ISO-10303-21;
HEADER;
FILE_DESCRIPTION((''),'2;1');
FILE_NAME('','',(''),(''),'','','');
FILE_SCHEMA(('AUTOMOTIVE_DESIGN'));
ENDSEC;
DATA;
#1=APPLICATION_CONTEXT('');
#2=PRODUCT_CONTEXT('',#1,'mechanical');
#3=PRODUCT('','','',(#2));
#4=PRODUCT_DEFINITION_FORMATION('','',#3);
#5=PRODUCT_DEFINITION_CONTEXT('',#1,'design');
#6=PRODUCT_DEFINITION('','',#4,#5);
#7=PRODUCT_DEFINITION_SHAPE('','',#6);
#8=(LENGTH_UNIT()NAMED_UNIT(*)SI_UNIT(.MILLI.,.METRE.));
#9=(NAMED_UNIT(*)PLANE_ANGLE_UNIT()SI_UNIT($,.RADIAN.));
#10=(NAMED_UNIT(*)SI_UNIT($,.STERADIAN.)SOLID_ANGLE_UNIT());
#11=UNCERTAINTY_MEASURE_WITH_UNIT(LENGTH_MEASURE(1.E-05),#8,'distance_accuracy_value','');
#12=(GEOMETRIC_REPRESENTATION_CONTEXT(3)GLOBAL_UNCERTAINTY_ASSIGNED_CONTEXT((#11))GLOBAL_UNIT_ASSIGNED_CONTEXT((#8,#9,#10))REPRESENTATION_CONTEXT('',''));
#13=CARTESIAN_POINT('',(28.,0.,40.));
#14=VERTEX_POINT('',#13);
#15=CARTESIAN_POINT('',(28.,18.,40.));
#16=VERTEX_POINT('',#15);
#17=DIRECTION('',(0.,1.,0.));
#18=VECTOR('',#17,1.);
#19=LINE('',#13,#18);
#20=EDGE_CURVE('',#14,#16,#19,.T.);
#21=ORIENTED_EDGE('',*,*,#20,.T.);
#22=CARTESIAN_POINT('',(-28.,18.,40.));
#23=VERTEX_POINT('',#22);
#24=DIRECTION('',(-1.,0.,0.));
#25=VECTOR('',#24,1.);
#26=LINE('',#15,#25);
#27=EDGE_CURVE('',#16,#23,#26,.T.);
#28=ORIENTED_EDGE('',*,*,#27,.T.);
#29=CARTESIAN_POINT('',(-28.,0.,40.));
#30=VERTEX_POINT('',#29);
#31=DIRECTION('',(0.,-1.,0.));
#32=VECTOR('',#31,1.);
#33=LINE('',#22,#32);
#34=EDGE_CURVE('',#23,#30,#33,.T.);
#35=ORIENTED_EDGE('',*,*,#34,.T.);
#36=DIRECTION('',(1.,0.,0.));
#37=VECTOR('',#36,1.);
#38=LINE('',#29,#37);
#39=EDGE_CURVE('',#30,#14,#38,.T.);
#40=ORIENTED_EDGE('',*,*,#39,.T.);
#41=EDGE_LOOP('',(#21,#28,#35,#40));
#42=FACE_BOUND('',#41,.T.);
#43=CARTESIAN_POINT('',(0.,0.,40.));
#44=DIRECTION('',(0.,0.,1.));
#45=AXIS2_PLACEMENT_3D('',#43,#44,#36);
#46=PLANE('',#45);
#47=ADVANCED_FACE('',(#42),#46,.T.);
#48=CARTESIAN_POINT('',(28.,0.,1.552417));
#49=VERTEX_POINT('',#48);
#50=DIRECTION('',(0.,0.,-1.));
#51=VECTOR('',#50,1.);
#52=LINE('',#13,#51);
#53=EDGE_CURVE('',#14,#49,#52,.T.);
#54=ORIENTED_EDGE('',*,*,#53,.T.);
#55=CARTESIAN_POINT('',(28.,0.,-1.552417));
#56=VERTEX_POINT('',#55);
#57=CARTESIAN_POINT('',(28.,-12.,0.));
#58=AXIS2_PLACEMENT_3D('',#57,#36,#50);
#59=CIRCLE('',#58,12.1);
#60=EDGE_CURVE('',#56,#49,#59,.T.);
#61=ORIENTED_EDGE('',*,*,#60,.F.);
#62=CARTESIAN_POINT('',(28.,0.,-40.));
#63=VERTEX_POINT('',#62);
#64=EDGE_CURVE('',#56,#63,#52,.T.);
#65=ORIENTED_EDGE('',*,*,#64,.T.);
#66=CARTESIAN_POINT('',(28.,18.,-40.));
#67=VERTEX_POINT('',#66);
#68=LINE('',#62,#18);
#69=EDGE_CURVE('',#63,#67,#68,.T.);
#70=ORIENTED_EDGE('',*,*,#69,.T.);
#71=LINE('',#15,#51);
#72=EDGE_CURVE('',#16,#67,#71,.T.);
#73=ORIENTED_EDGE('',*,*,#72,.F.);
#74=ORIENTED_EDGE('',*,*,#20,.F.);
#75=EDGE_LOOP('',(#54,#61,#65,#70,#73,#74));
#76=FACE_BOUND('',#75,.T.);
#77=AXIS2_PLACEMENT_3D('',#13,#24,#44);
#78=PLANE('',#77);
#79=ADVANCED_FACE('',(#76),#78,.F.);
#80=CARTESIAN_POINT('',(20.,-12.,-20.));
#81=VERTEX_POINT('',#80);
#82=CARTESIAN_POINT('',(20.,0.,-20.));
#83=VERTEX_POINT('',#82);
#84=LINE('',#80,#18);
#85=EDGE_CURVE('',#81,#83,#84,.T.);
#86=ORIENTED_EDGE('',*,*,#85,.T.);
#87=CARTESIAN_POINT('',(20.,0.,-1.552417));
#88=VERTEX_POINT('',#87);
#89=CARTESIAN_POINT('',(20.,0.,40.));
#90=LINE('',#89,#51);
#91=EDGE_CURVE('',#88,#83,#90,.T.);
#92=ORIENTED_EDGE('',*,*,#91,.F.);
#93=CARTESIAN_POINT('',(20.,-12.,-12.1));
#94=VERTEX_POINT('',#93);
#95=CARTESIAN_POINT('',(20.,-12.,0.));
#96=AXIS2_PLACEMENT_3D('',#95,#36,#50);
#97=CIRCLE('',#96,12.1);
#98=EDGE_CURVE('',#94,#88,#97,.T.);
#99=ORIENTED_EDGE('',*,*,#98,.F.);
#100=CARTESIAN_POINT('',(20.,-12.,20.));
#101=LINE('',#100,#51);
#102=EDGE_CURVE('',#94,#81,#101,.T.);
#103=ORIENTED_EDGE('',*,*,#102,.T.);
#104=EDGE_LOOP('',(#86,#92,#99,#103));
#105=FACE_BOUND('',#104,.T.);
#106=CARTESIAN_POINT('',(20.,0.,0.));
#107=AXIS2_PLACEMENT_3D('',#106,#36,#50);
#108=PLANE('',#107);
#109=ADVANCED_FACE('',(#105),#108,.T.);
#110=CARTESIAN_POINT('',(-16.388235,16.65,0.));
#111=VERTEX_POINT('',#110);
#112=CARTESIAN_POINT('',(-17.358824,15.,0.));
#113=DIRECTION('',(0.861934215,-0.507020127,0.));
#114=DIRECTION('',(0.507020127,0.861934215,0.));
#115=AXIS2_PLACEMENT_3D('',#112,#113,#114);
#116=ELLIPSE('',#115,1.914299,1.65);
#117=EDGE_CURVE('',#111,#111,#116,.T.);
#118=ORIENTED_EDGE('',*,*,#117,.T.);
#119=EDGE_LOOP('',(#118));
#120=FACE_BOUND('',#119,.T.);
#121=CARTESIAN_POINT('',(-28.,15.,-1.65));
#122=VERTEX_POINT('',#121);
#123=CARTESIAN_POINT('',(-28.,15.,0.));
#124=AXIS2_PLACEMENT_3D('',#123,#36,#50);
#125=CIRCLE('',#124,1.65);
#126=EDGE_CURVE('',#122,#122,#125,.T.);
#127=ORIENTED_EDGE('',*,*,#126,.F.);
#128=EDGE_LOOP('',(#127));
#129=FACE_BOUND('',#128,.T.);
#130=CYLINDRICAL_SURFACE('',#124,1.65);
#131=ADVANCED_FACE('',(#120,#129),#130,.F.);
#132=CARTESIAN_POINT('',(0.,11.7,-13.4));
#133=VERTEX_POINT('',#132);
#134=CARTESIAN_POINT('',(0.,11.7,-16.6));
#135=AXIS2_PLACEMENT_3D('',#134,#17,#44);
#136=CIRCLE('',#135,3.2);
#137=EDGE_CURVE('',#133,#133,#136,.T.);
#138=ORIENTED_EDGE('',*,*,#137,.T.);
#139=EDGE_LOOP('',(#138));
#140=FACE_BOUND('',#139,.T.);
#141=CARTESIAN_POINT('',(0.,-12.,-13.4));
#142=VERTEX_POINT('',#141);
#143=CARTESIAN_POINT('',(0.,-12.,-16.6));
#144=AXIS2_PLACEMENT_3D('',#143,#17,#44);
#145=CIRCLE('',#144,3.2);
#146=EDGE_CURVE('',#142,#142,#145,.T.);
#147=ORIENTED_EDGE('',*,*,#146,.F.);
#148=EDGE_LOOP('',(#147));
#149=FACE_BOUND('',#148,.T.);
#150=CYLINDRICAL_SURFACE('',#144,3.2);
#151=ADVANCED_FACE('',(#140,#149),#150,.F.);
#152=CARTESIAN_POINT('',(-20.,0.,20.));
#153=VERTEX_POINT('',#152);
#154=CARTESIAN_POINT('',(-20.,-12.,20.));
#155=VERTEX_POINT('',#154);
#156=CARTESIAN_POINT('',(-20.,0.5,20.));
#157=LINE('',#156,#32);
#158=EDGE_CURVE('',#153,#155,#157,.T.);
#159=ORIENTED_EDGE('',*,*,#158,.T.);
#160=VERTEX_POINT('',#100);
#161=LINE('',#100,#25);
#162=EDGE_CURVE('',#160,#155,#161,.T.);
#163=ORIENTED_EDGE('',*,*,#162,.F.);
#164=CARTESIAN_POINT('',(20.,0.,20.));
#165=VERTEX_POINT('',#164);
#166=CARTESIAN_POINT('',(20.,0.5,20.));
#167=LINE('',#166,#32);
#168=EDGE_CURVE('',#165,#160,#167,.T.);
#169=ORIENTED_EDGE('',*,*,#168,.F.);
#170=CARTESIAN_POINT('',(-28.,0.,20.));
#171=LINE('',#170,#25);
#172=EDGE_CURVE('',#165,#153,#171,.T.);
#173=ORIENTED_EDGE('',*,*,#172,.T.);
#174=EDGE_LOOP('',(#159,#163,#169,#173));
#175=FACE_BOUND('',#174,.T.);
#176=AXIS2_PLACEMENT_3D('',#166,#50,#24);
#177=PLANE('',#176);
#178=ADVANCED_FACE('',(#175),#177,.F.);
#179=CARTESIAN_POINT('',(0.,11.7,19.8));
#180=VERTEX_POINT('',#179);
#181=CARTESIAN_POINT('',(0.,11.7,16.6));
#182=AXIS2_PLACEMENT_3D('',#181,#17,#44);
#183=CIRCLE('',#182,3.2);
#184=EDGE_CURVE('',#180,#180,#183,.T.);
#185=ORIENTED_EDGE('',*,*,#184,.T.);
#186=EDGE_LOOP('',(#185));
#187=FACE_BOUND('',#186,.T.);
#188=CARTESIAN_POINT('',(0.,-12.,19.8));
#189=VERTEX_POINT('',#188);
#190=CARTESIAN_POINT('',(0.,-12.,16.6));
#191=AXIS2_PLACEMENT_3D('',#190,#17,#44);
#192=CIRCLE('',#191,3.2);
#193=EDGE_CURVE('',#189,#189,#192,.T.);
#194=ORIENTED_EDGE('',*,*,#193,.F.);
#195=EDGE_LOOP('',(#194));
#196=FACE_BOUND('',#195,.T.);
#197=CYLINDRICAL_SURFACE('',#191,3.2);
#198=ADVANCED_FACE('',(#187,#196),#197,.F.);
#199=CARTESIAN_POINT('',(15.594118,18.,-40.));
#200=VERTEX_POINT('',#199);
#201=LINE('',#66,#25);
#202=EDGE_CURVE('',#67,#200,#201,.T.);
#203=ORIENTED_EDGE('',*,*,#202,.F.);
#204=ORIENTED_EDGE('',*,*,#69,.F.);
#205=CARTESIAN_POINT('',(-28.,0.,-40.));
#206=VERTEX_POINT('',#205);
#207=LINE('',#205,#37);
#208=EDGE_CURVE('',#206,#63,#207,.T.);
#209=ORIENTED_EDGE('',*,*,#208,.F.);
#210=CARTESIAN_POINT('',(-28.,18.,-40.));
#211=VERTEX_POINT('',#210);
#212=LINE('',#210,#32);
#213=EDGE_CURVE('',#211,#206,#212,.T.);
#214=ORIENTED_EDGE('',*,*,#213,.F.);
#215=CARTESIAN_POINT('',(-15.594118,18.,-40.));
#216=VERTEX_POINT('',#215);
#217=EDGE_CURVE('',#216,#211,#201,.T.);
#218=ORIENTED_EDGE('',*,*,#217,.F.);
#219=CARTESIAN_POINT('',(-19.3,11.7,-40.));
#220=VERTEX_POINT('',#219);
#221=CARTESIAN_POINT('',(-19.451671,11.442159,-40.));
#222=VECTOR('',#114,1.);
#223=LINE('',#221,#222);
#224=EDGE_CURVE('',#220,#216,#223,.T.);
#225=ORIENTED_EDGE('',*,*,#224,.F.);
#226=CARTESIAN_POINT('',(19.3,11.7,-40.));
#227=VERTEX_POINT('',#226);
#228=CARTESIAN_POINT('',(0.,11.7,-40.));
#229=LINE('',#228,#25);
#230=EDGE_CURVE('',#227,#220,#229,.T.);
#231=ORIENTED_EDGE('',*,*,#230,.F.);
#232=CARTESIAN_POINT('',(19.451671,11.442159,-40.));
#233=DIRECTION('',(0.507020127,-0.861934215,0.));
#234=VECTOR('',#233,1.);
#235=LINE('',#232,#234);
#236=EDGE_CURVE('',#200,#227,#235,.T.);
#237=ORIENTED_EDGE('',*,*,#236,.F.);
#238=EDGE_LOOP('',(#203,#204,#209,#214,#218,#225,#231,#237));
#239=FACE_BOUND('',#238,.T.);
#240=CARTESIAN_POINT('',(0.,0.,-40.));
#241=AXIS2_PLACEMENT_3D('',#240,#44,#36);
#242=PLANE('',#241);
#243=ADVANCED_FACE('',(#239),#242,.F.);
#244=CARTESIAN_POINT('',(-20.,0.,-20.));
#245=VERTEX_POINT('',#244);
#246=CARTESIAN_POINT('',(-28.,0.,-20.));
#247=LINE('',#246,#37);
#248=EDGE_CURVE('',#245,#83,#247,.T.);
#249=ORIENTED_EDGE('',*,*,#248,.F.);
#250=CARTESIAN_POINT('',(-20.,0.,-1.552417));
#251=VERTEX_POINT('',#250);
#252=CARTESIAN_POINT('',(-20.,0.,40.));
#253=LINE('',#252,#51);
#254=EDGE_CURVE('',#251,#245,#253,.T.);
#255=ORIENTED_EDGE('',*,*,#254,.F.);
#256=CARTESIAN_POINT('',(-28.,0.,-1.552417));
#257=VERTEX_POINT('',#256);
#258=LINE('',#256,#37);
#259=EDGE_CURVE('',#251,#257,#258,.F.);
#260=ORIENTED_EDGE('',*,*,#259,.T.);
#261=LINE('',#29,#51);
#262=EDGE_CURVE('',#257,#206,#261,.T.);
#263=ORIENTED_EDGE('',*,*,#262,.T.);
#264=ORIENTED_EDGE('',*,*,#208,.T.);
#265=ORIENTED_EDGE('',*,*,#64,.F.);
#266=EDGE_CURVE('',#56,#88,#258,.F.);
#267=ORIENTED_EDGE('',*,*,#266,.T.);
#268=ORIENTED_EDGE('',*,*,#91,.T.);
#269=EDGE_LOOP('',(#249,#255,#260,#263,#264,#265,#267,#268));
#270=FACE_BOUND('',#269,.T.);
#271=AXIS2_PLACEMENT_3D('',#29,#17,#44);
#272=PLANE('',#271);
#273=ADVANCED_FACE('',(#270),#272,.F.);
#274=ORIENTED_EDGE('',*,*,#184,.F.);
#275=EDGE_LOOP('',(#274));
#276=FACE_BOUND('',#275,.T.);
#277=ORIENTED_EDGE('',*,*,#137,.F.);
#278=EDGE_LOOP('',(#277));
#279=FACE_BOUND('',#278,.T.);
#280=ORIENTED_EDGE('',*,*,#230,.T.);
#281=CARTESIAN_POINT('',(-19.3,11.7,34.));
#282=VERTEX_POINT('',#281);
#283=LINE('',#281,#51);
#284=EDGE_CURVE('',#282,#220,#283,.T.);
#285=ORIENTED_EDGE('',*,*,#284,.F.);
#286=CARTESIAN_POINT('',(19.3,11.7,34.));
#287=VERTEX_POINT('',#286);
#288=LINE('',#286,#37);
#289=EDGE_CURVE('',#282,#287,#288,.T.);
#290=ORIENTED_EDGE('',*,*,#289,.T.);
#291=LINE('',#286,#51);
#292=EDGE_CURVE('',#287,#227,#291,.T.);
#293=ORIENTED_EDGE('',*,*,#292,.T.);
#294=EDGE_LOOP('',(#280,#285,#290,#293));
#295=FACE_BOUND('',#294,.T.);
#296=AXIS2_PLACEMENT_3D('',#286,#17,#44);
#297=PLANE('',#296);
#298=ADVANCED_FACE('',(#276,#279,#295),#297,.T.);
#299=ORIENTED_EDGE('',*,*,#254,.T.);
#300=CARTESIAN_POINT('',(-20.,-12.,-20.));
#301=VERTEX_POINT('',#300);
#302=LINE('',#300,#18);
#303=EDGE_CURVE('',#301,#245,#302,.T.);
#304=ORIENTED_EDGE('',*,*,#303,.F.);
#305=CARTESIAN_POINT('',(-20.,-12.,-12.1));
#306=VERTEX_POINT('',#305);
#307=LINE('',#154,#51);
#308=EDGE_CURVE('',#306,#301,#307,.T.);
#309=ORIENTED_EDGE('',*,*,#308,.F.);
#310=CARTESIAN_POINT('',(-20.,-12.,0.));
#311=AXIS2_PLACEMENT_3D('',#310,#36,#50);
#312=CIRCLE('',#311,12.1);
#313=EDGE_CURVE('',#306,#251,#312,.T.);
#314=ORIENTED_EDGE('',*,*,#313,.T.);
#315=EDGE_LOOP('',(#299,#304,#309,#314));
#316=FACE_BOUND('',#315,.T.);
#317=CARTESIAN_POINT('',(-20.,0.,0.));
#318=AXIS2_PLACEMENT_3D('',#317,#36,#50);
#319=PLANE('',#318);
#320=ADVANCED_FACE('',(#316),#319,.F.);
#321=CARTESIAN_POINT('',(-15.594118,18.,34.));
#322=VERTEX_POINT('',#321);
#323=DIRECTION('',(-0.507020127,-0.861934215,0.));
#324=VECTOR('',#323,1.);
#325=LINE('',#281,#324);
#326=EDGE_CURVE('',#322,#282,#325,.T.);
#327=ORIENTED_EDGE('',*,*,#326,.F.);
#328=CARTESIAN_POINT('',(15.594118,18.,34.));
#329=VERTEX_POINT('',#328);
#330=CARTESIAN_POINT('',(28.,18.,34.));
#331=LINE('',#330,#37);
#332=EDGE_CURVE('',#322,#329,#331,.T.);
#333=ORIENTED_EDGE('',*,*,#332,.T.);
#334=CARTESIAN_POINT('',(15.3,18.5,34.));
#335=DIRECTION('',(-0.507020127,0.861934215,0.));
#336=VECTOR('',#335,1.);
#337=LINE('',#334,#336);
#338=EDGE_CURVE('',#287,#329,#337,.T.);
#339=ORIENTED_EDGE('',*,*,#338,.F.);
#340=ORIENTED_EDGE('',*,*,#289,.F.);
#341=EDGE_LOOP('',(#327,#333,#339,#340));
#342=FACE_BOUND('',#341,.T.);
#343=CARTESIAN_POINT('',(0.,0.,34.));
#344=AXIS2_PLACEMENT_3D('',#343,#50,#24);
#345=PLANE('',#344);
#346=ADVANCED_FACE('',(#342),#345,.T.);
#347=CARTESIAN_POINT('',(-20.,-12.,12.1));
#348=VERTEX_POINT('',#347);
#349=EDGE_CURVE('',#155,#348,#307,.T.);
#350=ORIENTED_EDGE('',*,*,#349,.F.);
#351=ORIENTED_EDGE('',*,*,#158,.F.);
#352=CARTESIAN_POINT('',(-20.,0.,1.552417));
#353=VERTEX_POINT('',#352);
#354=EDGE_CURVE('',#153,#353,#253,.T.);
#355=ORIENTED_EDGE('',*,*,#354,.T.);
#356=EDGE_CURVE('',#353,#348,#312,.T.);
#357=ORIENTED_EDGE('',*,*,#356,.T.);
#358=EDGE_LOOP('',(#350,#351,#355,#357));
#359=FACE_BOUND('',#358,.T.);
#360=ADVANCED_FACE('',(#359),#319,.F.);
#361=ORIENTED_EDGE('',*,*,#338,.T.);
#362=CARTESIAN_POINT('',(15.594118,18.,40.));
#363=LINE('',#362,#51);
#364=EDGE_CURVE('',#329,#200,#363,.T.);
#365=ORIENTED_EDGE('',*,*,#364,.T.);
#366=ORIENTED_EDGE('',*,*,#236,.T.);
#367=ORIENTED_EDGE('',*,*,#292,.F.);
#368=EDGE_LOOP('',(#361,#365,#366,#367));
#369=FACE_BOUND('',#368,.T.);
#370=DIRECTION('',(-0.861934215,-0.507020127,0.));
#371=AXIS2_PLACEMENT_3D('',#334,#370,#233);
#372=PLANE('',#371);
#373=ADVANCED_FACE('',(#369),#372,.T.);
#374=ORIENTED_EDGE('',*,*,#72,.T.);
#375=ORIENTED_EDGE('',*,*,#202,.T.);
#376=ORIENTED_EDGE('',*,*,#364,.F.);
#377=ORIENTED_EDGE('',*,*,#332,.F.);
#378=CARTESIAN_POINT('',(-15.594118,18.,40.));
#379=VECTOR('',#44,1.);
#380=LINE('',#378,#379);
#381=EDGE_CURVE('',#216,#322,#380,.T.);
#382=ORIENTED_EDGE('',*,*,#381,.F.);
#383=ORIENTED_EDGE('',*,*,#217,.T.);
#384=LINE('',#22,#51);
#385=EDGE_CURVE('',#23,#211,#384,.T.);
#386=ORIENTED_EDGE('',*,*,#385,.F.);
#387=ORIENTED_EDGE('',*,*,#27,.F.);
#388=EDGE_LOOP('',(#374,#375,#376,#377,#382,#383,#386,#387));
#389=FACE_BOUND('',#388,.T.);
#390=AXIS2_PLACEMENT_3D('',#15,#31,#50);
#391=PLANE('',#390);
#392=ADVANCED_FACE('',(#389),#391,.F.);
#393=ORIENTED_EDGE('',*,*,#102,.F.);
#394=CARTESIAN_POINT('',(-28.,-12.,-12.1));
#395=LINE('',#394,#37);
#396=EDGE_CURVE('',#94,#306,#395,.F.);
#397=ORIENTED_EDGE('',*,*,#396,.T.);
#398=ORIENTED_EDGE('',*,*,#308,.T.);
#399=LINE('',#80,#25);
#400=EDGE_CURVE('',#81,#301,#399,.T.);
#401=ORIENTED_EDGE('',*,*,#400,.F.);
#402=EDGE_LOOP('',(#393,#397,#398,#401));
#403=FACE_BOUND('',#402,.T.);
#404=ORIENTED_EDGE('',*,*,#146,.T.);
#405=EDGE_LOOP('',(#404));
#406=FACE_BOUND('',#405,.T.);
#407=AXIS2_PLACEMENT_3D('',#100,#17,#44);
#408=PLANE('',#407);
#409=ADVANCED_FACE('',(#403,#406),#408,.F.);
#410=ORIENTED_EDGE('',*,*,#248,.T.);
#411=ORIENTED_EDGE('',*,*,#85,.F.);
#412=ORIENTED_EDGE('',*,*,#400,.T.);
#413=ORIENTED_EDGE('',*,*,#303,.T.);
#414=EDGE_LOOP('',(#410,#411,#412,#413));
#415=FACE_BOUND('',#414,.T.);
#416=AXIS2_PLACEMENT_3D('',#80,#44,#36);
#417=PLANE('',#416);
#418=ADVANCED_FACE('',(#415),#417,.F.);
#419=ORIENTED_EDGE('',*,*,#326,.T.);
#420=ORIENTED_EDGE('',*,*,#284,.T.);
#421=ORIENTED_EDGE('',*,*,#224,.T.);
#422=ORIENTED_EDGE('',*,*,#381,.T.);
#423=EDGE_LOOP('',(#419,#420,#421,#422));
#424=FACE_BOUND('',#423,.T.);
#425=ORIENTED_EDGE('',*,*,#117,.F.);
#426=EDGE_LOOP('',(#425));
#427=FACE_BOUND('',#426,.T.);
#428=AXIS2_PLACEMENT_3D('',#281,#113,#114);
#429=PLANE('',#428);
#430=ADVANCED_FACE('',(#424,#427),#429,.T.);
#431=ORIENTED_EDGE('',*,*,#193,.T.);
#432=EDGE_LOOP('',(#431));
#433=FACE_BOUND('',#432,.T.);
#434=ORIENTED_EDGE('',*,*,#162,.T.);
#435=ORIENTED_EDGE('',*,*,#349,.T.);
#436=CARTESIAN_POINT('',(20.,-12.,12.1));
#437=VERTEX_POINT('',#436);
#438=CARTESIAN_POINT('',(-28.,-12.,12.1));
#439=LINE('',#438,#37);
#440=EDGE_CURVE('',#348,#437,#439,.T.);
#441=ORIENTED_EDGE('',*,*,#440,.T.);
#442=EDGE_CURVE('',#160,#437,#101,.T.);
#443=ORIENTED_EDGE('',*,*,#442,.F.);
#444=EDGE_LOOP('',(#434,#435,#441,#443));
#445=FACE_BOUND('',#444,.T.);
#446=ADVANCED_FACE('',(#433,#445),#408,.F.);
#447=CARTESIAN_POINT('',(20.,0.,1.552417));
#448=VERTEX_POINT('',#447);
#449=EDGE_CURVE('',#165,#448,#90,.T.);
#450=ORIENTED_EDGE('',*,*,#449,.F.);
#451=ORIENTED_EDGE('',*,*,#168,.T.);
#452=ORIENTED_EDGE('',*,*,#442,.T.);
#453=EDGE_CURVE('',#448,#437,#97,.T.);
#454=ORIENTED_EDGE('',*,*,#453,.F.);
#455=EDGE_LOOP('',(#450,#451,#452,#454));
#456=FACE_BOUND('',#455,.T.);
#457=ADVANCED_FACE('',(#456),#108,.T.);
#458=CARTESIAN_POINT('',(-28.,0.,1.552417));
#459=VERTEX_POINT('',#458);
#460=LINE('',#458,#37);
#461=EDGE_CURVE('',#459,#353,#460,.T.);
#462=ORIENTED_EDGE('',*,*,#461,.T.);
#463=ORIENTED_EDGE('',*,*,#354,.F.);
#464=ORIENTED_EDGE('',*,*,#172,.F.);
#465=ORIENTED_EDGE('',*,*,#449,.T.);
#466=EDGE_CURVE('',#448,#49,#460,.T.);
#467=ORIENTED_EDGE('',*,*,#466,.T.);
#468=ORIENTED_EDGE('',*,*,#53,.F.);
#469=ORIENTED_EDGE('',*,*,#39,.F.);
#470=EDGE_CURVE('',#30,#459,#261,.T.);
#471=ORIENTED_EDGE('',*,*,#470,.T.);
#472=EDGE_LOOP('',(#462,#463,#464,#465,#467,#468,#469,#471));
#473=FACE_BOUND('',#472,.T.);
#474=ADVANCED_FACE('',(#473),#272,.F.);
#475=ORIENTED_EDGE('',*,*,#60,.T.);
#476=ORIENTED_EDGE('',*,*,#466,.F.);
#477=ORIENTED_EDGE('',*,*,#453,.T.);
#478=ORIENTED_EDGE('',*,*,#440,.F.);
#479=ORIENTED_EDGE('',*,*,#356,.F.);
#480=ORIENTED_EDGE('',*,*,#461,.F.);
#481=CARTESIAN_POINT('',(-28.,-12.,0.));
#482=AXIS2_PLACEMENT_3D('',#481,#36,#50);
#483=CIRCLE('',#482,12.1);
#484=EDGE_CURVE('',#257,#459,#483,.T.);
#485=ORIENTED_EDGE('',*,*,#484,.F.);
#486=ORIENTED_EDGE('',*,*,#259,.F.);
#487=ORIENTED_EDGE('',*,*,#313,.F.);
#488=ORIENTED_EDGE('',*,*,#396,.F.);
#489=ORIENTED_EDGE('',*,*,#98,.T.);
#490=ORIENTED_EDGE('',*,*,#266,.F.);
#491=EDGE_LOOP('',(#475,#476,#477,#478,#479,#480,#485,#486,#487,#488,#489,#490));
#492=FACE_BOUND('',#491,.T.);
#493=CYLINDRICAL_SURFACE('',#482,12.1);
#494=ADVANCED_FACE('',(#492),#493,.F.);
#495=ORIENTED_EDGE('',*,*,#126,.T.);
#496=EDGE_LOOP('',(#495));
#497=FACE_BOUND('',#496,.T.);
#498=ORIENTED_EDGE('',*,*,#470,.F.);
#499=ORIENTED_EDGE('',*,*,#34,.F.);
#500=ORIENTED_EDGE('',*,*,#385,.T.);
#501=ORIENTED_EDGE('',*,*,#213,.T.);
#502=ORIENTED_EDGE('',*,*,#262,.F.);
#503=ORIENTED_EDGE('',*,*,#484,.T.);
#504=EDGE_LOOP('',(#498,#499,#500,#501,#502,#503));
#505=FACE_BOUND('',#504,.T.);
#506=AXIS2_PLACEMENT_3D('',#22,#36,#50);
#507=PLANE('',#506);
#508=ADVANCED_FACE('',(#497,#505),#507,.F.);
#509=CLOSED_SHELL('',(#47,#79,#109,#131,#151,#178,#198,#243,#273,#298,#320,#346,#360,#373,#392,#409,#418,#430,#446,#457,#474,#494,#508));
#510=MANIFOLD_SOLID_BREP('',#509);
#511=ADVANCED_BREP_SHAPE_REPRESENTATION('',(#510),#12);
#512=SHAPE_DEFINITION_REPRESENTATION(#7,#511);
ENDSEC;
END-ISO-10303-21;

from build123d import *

# Parameters (mm, degrees)
SKETCH1_W                   = 56
SKETCH1_H                   = 18
CHANNEL_BLOCK_DEPTH         = 40
SKETCH2_W                   = 40
SKETCH2_H                   = 12.5
CLAMP_UPPER_HALF_DEPTH      = 20
DOVETAIL_CHANNEL_DEPTH      = 34
DOVETAIL_CHANNEL_DEPTH_BACK = 41
HANDLEBAR_BORE_DEPTH        = 53.038447325
HANDLEBAR_BORE_DEPTH_BACK   = 53.038447325
SKETCH4_R                   = 12.1
M5_INSERT_HOLES_DEPTH       = 53.038447325
M5_INSERT_HOLES_DEPTH_BACK  = 53.038447325
SKETCH5_R                   = 3.2
SKETCH6_R                   = 1.65
LOCK_SCREW_HOLE_DEPTH       = 53.038447325


with BuildPart() as part:
    # Sketch1 → Channel Block (new, symmetric)
    with BuildSketch(Plane.XY):
        with Locations((0, 9)):
            Rectangle(SKETCH1_W, SKETCH1_H)
    extrude(amount=CHANNEL_BLOCK_DEPTH, both=True)

    # Sketch2 → Clamp Upper Half (add, symmetric)
    with BuildSketch(Plane(origin=(0, 0, 0), x_dir=(0, 0, -1), z_dir=(1, 0, 0))):
        with Locations((0, -5.75)):
            Rectangle(SKETCH2_W, SKETCH2_H)
    extrude(amount=CLAMP_UPPER_HALF_DEPTH, both=True)

    # Sketch3 → Dovetail Channel (cut, two sides: drawn at the far end of the back side and taken through both)
    with BuildSketch(Plane.XY.offset(-DOVETAIL_CHANNEL_DEPTH_BACK)):
        Polygon((-15.3, 18.5), (15.3, 18.5), (19.3, 11.7), (-19.3, 11.7), align=None)
    extrude(amount=DOVETAIL_CHANNEL_DEPTH + DOVETAIL_CHANNEL_DEPTH_BACK, mode=Mode.SUBTRACT)

    # Sketch4 → Handlebar Bore (cut, two sides: drawn at the far end of the back side and taken through both)
    with BuildSketch(Plane(origin=(0, 0, 0), x_dir=(0, 0, -1), z_dir=(1, 0, 0)).offset(-HANDLEBAR_BORE_DEPTH_BACK)):
        with Locations((0, -12)):
            Circle(SKETCH4_R)
    extrude(amount=HANDLEBAR_BORE_DEPTH + HANDLEBAR_BORE_DEPTH_BACK, mode=Mode.SUBTRACT)

    # Sketch5 → M5 Insert Holes (cut, two sides: drawn at the far end of the back side and taken through both)
    with BuildSketch(Plane(origin=(0, 0, 0), x_dir=(1, 0, 0), z_dir=(0, 1, 0)).offset(-M5_INSERT_HOLES_DEPTH_BACK)):
        with Locations(Location((0, -16.6, 0), (0, 0, 270))):
            Circle(SKETCH5_R)
        with Locations(Location((0, 16.6, 0), (0, 0, 270))):
            Circle(SKETCH5_R)
    extrude(amount=M5_INSERT_HOLES_DEPTH + M5_INSERT_HOLES_DEPTH_BACK, mode=Mode.SUBTRACT)

    # Sketch6 → Lock Screw Hole (cut, through all)
    with BuildSketch(Plane(origin=(0, 0, 0), x_dir=(0, 0, -1), z_dir=(1, 0, 0))):
        with Locations((0, 15)):
            Circle(SKETCH6_R)
    extrude(amount=-LOCK_SCREW_HOLE_DEPTH, mode=Mode.SUBTRACT)


solid = part.part
